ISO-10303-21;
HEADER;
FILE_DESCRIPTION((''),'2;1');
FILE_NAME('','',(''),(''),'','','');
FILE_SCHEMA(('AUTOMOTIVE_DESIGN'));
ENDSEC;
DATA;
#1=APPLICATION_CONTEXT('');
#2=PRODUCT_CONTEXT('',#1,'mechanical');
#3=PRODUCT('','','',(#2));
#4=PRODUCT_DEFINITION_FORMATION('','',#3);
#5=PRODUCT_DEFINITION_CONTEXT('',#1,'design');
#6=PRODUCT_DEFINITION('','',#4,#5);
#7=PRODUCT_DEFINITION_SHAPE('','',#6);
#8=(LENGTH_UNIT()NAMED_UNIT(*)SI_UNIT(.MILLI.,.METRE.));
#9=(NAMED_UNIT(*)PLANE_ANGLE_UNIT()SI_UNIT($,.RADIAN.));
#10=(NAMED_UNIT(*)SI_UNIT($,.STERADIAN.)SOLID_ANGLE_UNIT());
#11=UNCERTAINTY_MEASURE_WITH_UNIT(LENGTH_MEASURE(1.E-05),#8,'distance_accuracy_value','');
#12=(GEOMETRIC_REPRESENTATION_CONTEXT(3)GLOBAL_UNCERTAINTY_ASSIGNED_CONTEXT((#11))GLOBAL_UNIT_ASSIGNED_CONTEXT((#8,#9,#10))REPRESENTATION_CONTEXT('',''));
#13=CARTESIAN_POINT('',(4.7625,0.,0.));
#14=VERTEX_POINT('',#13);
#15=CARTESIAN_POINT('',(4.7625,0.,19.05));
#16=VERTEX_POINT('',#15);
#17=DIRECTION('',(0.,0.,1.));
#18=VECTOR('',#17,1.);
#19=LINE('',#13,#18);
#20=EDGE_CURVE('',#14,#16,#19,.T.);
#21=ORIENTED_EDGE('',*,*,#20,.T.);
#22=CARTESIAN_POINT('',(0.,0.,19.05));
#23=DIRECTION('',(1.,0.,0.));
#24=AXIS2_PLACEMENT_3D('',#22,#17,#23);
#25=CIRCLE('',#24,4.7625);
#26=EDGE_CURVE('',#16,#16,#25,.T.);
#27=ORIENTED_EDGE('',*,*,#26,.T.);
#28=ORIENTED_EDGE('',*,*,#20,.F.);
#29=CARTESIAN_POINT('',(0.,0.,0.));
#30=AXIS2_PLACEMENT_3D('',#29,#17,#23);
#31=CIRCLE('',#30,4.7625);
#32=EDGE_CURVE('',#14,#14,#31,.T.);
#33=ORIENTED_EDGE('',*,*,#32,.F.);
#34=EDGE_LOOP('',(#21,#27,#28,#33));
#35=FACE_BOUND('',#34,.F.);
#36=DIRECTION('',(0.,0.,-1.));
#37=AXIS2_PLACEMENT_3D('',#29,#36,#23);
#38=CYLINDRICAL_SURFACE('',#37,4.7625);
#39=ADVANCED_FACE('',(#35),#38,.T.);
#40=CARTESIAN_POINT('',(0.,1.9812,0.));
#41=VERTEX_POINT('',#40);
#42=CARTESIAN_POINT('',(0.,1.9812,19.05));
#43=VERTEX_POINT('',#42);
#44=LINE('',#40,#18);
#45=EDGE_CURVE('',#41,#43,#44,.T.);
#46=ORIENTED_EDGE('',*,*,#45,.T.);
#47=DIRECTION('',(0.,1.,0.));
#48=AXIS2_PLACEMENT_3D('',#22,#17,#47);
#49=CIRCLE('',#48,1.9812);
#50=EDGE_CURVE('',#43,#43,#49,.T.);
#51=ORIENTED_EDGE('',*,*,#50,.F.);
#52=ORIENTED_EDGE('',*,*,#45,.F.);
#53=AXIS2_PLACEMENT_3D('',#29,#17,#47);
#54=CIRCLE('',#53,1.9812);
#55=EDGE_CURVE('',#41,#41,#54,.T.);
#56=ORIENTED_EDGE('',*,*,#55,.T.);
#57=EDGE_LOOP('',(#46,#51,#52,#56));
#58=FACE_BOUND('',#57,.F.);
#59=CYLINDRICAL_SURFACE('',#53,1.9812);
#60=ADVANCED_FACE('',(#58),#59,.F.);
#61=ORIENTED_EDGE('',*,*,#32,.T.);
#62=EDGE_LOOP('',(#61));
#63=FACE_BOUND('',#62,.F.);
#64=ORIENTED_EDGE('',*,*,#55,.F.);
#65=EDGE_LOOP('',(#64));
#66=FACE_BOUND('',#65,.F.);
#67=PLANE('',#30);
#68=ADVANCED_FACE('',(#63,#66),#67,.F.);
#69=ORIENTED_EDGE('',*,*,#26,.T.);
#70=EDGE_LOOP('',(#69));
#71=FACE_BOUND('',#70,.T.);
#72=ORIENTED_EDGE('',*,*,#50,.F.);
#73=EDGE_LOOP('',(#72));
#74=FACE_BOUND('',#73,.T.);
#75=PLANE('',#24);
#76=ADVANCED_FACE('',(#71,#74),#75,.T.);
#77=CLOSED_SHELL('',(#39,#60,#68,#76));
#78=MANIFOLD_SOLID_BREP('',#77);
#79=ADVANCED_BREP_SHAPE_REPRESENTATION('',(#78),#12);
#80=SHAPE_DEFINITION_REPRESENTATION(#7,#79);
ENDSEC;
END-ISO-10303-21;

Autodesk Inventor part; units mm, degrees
ref_plane "YZ Plane" through (0, 0, 0) normal (1, 0, 0) x (0, 1, 0)
ref_plane "XZ Plane" through (0, 0, 0) normal (0, 1, 0) x (-1, 0, 0)
ref_plane "XY Plane" through (0, 0, 0) normal (0, 0, 1) x (1, 0, 0)
sketch "Sketch1" plane through (0, 0, 0) normal (0, 0, 1) x (1, 0, 0)
  circle A0 centre (0, 0) radius 4.7625
  dimension "d10" = 9.525
extrude "Extrusion1" add sketch "Sketch1" along normal blind 19.05
hole "Hole1" at (0, 0, 0) direction (0, 0, 1) diameter 3.9624 end through all thread size "10-32 UNF" class "2B" standard "ANSI Unified Screw Threads"
equation "\"d10\" = OutsideDiameter"
equation "\"d1\" = StandoffLength"
equation "\"StandoffLength\" = 19.05"
equation "\"HoleDiameter\" = 5.1054"
equation "\"OutsideDiameter\" = 9.525"
properties part number "GP10-010" material "Aluminum 6061"
